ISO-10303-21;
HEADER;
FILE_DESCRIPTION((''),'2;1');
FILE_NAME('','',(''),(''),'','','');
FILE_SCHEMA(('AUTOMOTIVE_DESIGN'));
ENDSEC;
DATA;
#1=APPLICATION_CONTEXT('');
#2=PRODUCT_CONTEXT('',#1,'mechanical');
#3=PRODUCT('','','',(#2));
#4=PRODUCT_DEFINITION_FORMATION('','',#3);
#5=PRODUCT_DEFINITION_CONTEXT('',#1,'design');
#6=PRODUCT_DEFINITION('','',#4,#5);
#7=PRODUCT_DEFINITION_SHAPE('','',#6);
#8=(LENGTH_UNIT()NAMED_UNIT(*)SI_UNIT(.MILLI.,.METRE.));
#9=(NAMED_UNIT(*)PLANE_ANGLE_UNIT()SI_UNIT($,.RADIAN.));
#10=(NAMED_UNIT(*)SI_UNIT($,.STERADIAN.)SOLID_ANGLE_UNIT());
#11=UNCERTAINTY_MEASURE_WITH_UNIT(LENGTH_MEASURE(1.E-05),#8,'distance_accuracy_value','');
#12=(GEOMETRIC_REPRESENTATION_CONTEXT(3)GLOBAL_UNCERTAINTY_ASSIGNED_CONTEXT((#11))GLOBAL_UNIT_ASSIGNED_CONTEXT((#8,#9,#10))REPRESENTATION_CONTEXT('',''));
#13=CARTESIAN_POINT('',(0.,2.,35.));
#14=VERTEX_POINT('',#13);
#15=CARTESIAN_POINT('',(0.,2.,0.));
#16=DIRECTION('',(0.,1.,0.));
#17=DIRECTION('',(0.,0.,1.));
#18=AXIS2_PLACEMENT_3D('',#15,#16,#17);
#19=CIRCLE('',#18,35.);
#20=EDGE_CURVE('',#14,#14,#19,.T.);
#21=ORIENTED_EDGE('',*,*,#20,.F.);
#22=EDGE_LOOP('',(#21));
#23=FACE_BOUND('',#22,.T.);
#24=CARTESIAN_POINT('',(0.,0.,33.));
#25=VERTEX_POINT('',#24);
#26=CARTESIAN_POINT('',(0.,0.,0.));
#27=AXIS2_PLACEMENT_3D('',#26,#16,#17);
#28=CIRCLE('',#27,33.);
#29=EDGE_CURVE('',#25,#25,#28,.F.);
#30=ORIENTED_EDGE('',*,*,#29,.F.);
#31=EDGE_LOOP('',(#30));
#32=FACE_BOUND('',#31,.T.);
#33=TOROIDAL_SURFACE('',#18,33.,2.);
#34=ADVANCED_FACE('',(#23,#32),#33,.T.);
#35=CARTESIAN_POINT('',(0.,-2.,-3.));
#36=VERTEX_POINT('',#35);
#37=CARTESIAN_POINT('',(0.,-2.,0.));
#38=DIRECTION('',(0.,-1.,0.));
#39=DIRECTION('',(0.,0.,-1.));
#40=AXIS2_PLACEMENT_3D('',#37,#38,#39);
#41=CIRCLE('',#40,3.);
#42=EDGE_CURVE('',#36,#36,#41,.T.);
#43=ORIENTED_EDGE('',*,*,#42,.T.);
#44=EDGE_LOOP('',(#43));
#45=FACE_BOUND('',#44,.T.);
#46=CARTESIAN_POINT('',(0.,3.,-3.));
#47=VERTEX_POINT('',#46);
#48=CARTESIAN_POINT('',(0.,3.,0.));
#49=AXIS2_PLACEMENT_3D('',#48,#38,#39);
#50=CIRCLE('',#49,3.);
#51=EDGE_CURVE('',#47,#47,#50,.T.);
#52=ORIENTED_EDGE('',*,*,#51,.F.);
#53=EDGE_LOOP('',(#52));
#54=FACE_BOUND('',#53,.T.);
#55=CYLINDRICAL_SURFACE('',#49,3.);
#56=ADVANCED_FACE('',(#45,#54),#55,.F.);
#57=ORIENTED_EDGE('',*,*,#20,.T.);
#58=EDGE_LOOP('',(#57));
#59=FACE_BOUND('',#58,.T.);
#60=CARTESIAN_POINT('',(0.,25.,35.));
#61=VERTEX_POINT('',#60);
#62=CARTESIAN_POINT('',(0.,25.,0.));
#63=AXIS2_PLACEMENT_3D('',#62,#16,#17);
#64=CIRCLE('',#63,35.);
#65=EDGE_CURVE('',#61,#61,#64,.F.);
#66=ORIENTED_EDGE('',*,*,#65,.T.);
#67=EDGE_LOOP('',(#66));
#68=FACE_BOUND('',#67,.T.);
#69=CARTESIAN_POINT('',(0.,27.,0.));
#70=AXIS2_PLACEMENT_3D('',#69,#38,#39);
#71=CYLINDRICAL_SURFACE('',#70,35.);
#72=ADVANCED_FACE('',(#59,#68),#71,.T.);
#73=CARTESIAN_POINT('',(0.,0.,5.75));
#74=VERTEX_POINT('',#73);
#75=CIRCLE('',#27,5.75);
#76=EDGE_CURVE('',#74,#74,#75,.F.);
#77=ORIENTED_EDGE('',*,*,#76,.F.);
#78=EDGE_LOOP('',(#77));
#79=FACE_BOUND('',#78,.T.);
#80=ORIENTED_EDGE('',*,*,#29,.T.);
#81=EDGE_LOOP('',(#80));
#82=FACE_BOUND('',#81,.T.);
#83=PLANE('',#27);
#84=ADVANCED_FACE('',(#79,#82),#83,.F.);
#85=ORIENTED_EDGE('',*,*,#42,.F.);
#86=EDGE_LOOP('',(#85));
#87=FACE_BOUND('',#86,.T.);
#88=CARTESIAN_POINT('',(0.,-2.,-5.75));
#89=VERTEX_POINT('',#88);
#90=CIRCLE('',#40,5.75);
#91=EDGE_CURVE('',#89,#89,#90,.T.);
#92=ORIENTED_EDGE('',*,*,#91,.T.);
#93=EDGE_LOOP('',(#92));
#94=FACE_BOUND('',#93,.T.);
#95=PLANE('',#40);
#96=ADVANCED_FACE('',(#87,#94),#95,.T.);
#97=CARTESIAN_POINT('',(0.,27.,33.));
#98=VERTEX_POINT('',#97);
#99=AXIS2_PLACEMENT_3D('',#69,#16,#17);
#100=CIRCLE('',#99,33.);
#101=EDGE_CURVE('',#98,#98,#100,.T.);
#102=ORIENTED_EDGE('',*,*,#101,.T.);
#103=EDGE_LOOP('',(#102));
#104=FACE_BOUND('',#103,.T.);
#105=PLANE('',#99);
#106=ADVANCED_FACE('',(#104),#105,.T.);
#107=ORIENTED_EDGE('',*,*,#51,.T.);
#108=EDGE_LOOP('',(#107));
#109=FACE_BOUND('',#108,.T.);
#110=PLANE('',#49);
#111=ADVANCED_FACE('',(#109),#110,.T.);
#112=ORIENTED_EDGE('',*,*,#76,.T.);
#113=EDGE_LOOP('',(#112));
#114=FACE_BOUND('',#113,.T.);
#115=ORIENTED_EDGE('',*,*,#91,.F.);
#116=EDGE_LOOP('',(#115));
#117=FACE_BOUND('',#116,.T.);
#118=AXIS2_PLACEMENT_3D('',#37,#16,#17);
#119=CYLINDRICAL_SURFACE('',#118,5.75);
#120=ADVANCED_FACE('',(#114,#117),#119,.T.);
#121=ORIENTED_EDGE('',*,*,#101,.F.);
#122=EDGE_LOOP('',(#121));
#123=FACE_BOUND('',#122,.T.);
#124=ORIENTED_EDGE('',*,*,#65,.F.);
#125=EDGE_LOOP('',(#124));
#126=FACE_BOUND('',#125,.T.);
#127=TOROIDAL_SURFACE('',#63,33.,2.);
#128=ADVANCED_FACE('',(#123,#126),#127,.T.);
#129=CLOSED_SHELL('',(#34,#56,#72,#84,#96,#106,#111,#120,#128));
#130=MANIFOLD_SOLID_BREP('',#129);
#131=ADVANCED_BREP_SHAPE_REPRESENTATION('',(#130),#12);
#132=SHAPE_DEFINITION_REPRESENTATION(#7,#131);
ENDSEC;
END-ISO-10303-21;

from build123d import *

# Parameters (mm, degrees)
ESBO_O1_R                = 35
RESSALTO_EXTRUS_O1_DEPTH = 27
FILETE1_R                = 2
ESBO_O2_R                = 5.75
RESSALTO_EXTRUS_O2_DEPTH = 2
ESBO_O3_R                = 3
CORTE_EXTRUS_O1_DEPTH    = 5


with BuildPart() as part:
    # Esboço1 → Ressalto-extrusão1 (new body)
    with BuildSketch(Plane(origin=(0, 0, 0), x_dir=(1, 0, 0), z_dir=(0, 1, 0))):
        with Locations(Location((0, 0, 0), (0, 0, 270))):
            Circle(ESBO_O1_R)
    extrude(amount=RESSALTO_EXTRUS_O1_DEPTH)

    # Filete1
    filete1_edges = [part.edges().sort_by_distance(p)[0] for p in [
        (0, 0, -35),
        (0, 27, -35),
    ]]
    fillet(filete1_edges, radius=FILETE1_R)

    # Esboço2 → Ressalto-extrusão2 (add)
    with BuildSketch(Plane(origin=(0, 0, 0), x_dir=(-1, 0, 0), z_dir=(0, -1, 0))):
        with Locations(Location((0, 0, 0), (0, 0, 270))):
            Circle(ESBO_O2_R)
    extrude(amount=RESSALTO_EXTRUS_O2_DEPTH)

    # Esboço3 → Corte-extrusão1 (cut)
    with BuildSketch(Plane.XZ.offset(2)):
        with Locations(Location((0, 0, 0), (0, 0, 270))):
            Circle(ESBO_O3_R)
    extrude(amount=-CORTE_EXTRUS_O1_DEPTH, mode=Mode.SUBTRACT)


solid = part.part
